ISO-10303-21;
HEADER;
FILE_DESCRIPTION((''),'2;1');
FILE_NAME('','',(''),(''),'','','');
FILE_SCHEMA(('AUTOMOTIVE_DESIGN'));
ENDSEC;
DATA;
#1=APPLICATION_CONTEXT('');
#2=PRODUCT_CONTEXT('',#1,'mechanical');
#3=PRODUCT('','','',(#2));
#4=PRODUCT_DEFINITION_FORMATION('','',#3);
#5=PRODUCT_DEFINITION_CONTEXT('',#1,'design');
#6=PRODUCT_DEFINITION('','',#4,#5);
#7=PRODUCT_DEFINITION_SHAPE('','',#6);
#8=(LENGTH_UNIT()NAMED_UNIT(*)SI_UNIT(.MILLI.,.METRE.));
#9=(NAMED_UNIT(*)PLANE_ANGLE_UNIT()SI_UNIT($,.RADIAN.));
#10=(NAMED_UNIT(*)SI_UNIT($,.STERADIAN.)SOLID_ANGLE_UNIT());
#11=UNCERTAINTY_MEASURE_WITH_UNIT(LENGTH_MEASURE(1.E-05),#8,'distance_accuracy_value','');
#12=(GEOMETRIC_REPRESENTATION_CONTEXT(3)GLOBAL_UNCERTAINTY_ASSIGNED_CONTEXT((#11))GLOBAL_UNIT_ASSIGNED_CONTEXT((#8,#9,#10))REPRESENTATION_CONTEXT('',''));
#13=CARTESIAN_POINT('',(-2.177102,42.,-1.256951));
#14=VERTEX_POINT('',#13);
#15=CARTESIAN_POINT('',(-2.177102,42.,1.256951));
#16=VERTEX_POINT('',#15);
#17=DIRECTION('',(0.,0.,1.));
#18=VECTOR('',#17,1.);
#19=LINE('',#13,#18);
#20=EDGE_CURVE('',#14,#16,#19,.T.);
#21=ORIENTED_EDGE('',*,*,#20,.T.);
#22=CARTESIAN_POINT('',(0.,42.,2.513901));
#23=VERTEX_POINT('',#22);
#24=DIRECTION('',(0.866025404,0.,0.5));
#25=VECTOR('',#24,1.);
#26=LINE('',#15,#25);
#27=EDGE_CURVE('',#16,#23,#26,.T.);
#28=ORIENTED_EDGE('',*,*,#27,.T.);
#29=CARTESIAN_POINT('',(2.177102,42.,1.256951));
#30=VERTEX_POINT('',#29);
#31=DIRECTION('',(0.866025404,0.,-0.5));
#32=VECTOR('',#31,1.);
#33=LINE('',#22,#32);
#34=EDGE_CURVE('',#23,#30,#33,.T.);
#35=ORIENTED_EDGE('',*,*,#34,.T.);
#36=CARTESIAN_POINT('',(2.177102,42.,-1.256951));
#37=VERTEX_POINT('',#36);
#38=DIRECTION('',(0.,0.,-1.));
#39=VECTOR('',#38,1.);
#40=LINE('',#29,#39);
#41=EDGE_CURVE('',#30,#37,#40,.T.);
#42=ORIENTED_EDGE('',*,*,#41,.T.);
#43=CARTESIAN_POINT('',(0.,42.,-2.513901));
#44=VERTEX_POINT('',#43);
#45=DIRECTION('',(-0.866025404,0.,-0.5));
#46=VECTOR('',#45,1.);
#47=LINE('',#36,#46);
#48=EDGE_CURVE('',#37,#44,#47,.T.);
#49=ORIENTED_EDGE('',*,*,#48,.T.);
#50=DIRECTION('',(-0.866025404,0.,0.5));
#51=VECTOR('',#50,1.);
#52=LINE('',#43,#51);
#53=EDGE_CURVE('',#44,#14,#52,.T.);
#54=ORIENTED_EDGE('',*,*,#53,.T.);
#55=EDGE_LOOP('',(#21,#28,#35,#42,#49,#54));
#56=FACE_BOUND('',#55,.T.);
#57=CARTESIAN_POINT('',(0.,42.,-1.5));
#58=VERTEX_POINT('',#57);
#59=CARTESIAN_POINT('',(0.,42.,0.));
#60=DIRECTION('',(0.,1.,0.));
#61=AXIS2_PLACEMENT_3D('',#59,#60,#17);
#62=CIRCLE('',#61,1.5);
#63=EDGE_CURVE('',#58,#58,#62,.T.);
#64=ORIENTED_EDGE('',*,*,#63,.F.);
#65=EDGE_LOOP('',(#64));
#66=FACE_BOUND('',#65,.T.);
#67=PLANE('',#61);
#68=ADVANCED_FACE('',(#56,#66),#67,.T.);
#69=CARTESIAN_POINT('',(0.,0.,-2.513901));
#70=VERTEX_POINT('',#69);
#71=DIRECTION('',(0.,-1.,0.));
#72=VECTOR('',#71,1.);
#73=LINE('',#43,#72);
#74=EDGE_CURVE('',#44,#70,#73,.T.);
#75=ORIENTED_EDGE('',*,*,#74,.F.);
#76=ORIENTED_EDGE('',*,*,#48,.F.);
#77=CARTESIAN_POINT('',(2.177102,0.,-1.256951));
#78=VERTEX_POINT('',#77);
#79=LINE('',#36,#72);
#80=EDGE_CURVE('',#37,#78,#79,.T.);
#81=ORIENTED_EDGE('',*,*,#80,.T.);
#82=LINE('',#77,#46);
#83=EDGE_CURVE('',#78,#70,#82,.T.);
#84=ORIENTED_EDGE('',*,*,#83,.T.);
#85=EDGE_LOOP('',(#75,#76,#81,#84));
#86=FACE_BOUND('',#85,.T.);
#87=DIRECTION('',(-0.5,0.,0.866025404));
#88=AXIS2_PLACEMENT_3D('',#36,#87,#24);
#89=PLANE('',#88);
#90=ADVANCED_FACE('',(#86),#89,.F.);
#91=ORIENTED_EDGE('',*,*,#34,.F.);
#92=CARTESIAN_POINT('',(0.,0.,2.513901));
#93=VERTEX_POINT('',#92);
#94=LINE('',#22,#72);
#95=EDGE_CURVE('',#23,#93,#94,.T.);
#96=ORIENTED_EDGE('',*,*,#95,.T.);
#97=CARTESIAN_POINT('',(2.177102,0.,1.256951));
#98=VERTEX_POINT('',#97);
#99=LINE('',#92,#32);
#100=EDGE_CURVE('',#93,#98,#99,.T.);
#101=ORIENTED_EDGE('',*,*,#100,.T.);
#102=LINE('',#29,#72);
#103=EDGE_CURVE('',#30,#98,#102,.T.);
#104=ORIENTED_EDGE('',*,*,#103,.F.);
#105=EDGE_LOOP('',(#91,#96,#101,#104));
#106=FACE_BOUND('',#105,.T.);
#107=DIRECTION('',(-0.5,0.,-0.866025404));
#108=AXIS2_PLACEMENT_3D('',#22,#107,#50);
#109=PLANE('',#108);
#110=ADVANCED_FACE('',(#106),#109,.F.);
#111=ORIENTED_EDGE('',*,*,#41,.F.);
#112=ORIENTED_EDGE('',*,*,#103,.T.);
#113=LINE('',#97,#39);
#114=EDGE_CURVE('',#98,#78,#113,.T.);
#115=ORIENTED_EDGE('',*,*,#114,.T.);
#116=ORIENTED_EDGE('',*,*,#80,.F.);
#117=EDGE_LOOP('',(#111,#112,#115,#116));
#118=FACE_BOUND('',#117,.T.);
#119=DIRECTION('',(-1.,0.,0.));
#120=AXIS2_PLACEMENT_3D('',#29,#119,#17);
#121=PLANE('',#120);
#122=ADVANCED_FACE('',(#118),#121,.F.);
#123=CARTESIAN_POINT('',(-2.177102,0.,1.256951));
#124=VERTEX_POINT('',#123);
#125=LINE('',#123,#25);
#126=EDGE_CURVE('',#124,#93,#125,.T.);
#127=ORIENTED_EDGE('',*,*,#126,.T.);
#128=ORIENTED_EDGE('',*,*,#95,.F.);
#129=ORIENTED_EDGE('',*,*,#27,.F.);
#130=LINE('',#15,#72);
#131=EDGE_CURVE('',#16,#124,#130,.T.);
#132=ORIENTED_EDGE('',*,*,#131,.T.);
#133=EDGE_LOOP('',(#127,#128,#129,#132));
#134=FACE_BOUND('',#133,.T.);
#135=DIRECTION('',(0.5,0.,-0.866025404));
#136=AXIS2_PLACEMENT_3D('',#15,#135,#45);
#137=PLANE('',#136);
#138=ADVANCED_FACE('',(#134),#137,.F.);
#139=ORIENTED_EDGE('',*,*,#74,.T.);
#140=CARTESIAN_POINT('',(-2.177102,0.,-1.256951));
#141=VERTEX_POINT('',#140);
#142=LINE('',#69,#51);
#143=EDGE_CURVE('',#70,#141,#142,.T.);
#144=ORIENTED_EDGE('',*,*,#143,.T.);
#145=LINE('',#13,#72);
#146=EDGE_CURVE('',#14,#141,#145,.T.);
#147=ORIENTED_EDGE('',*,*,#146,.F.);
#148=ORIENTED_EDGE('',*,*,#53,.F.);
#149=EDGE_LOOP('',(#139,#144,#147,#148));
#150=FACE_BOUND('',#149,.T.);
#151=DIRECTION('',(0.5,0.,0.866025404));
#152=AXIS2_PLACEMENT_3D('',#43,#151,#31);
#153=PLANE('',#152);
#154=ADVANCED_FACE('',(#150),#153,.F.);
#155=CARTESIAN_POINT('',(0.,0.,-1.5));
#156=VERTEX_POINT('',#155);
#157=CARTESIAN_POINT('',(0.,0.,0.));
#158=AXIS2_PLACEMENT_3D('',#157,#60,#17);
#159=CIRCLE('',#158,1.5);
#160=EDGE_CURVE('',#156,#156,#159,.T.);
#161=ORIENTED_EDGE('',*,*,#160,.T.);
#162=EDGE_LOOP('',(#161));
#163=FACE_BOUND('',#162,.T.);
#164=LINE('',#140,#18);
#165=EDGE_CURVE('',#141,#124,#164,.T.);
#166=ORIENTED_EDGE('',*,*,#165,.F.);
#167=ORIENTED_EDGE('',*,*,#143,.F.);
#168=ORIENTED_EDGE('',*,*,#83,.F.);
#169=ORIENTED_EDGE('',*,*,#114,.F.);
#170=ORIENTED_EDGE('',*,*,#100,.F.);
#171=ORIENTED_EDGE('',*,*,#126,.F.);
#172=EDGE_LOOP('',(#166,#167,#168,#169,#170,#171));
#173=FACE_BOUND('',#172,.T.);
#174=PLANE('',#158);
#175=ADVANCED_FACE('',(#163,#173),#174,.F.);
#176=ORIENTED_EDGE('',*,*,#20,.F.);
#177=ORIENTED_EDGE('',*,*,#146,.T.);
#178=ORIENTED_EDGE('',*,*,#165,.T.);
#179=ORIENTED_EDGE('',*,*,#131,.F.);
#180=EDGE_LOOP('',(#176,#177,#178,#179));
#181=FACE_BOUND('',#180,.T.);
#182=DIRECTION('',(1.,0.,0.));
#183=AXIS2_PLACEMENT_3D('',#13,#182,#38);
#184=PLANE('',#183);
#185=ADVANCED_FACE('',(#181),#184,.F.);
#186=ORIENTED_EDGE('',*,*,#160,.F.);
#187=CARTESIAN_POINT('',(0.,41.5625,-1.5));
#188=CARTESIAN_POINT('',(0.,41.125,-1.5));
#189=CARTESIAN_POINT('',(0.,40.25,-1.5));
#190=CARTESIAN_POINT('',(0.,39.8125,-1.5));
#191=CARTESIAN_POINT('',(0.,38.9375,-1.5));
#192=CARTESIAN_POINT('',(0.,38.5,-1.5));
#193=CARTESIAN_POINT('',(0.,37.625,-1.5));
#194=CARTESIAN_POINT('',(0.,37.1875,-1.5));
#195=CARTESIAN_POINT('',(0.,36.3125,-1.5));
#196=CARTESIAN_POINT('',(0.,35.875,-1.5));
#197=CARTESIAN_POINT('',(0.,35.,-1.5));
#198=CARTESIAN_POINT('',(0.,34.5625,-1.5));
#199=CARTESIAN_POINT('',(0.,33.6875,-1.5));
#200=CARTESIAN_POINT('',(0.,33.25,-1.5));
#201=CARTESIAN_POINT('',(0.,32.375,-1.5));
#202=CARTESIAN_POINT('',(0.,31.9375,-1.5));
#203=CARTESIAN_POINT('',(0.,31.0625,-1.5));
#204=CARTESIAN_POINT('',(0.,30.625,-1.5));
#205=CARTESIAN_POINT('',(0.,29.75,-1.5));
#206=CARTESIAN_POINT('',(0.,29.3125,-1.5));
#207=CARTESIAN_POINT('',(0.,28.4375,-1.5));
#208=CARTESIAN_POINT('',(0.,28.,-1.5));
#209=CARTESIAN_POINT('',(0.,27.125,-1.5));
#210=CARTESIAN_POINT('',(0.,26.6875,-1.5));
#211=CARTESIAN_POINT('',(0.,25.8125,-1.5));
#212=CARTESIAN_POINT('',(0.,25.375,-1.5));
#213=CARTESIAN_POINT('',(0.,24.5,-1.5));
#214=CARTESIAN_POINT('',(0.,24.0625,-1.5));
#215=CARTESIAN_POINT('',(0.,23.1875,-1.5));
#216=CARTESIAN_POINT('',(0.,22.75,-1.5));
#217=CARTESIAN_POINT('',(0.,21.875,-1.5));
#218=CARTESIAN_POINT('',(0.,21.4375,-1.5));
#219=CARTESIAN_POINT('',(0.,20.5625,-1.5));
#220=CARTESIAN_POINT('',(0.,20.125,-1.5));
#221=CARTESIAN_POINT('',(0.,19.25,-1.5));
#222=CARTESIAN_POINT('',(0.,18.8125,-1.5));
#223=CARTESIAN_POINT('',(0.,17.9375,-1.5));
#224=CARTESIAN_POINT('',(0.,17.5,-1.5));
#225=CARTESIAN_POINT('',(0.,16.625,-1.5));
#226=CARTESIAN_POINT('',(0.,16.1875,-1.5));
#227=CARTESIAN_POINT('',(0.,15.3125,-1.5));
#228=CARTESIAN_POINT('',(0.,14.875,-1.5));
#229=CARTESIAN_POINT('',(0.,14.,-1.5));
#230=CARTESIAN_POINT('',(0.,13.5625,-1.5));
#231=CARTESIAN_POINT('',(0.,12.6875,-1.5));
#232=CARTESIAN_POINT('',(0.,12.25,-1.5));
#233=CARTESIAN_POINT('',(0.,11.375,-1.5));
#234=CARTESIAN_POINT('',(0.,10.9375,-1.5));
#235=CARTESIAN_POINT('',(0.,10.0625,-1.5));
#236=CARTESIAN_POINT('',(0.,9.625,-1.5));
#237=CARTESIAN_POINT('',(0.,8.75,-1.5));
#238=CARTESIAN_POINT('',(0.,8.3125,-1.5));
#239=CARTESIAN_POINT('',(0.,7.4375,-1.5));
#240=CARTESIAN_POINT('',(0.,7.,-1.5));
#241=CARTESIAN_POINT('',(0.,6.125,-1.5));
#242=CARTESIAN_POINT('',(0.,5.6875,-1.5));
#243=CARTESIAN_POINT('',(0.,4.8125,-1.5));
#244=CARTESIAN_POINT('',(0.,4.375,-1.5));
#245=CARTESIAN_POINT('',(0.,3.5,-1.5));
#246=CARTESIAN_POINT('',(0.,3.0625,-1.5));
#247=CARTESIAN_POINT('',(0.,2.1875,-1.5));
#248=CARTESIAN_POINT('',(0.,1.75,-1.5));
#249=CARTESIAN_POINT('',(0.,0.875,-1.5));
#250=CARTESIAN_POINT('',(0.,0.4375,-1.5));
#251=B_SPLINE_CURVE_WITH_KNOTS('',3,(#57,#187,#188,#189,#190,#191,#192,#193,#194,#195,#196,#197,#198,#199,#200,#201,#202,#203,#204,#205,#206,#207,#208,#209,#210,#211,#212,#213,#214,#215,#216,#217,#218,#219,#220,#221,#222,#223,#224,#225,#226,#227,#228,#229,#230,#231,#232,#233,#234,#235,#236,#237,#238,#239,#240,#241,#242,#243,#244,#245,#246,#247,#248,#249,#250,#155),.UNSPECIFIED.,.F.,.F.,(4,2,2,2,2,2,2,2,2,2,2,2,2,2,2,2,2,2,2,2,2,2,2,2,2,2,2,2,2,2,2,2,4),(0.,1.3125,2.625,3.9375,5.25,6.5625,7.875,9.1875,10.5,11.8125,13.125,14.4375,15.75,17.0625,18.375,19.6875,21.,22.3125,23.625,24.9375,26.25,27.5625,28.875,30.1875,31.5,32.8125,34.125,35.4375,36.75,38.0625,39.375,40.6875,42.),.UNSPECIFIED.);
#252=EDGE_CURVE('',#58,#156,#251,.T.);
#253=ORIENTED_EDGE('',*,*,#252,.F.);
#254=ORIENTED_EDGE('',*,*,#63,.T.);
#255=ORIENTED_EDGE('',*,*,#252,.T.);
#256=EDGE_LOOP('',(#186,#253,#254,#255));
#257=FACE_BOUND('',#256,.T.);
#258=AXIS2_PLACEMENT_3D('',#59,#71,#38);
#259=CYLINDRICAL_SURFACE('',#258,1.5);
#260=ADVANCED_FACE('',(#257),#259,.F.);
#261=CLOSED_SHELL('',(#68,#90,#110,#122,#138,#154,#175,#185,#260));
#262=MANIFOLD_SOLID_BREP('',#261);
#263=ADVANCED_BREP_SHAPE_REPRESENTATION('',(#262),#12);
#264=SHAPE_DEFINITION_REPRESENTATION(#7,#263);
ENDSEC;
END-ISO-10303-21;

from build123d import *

# Parameters (mm, degrees)
SKETCH_1_R      = 1.5
EXTRUDE_1_DEPTH = 42


with BuildPart() as part:
    # 草图1 → 凸台-拉伸1 (new body)
    with BuildSketch(Plane(origin=(0, 0, 0), x_dir=(1, 0, 0), z_dir=(0, 1, 0))):
        Polygon((0, 2.513901358), (-2.177102439, 1.256950679), (-2.177102439, -1.256950679), (0, -2.513901358), (2.177102439, -1.256950679), (2.177102439, 1.256950679), align=None)
        with Locations(Location((0, 0, 0), (0, 0, 90))):
            Circle(SKETCH_1_R, mode=Mode.SUBTRACT)
    extrude(amount=EXTRUDE_1_DEPTH)


solid = part.part
